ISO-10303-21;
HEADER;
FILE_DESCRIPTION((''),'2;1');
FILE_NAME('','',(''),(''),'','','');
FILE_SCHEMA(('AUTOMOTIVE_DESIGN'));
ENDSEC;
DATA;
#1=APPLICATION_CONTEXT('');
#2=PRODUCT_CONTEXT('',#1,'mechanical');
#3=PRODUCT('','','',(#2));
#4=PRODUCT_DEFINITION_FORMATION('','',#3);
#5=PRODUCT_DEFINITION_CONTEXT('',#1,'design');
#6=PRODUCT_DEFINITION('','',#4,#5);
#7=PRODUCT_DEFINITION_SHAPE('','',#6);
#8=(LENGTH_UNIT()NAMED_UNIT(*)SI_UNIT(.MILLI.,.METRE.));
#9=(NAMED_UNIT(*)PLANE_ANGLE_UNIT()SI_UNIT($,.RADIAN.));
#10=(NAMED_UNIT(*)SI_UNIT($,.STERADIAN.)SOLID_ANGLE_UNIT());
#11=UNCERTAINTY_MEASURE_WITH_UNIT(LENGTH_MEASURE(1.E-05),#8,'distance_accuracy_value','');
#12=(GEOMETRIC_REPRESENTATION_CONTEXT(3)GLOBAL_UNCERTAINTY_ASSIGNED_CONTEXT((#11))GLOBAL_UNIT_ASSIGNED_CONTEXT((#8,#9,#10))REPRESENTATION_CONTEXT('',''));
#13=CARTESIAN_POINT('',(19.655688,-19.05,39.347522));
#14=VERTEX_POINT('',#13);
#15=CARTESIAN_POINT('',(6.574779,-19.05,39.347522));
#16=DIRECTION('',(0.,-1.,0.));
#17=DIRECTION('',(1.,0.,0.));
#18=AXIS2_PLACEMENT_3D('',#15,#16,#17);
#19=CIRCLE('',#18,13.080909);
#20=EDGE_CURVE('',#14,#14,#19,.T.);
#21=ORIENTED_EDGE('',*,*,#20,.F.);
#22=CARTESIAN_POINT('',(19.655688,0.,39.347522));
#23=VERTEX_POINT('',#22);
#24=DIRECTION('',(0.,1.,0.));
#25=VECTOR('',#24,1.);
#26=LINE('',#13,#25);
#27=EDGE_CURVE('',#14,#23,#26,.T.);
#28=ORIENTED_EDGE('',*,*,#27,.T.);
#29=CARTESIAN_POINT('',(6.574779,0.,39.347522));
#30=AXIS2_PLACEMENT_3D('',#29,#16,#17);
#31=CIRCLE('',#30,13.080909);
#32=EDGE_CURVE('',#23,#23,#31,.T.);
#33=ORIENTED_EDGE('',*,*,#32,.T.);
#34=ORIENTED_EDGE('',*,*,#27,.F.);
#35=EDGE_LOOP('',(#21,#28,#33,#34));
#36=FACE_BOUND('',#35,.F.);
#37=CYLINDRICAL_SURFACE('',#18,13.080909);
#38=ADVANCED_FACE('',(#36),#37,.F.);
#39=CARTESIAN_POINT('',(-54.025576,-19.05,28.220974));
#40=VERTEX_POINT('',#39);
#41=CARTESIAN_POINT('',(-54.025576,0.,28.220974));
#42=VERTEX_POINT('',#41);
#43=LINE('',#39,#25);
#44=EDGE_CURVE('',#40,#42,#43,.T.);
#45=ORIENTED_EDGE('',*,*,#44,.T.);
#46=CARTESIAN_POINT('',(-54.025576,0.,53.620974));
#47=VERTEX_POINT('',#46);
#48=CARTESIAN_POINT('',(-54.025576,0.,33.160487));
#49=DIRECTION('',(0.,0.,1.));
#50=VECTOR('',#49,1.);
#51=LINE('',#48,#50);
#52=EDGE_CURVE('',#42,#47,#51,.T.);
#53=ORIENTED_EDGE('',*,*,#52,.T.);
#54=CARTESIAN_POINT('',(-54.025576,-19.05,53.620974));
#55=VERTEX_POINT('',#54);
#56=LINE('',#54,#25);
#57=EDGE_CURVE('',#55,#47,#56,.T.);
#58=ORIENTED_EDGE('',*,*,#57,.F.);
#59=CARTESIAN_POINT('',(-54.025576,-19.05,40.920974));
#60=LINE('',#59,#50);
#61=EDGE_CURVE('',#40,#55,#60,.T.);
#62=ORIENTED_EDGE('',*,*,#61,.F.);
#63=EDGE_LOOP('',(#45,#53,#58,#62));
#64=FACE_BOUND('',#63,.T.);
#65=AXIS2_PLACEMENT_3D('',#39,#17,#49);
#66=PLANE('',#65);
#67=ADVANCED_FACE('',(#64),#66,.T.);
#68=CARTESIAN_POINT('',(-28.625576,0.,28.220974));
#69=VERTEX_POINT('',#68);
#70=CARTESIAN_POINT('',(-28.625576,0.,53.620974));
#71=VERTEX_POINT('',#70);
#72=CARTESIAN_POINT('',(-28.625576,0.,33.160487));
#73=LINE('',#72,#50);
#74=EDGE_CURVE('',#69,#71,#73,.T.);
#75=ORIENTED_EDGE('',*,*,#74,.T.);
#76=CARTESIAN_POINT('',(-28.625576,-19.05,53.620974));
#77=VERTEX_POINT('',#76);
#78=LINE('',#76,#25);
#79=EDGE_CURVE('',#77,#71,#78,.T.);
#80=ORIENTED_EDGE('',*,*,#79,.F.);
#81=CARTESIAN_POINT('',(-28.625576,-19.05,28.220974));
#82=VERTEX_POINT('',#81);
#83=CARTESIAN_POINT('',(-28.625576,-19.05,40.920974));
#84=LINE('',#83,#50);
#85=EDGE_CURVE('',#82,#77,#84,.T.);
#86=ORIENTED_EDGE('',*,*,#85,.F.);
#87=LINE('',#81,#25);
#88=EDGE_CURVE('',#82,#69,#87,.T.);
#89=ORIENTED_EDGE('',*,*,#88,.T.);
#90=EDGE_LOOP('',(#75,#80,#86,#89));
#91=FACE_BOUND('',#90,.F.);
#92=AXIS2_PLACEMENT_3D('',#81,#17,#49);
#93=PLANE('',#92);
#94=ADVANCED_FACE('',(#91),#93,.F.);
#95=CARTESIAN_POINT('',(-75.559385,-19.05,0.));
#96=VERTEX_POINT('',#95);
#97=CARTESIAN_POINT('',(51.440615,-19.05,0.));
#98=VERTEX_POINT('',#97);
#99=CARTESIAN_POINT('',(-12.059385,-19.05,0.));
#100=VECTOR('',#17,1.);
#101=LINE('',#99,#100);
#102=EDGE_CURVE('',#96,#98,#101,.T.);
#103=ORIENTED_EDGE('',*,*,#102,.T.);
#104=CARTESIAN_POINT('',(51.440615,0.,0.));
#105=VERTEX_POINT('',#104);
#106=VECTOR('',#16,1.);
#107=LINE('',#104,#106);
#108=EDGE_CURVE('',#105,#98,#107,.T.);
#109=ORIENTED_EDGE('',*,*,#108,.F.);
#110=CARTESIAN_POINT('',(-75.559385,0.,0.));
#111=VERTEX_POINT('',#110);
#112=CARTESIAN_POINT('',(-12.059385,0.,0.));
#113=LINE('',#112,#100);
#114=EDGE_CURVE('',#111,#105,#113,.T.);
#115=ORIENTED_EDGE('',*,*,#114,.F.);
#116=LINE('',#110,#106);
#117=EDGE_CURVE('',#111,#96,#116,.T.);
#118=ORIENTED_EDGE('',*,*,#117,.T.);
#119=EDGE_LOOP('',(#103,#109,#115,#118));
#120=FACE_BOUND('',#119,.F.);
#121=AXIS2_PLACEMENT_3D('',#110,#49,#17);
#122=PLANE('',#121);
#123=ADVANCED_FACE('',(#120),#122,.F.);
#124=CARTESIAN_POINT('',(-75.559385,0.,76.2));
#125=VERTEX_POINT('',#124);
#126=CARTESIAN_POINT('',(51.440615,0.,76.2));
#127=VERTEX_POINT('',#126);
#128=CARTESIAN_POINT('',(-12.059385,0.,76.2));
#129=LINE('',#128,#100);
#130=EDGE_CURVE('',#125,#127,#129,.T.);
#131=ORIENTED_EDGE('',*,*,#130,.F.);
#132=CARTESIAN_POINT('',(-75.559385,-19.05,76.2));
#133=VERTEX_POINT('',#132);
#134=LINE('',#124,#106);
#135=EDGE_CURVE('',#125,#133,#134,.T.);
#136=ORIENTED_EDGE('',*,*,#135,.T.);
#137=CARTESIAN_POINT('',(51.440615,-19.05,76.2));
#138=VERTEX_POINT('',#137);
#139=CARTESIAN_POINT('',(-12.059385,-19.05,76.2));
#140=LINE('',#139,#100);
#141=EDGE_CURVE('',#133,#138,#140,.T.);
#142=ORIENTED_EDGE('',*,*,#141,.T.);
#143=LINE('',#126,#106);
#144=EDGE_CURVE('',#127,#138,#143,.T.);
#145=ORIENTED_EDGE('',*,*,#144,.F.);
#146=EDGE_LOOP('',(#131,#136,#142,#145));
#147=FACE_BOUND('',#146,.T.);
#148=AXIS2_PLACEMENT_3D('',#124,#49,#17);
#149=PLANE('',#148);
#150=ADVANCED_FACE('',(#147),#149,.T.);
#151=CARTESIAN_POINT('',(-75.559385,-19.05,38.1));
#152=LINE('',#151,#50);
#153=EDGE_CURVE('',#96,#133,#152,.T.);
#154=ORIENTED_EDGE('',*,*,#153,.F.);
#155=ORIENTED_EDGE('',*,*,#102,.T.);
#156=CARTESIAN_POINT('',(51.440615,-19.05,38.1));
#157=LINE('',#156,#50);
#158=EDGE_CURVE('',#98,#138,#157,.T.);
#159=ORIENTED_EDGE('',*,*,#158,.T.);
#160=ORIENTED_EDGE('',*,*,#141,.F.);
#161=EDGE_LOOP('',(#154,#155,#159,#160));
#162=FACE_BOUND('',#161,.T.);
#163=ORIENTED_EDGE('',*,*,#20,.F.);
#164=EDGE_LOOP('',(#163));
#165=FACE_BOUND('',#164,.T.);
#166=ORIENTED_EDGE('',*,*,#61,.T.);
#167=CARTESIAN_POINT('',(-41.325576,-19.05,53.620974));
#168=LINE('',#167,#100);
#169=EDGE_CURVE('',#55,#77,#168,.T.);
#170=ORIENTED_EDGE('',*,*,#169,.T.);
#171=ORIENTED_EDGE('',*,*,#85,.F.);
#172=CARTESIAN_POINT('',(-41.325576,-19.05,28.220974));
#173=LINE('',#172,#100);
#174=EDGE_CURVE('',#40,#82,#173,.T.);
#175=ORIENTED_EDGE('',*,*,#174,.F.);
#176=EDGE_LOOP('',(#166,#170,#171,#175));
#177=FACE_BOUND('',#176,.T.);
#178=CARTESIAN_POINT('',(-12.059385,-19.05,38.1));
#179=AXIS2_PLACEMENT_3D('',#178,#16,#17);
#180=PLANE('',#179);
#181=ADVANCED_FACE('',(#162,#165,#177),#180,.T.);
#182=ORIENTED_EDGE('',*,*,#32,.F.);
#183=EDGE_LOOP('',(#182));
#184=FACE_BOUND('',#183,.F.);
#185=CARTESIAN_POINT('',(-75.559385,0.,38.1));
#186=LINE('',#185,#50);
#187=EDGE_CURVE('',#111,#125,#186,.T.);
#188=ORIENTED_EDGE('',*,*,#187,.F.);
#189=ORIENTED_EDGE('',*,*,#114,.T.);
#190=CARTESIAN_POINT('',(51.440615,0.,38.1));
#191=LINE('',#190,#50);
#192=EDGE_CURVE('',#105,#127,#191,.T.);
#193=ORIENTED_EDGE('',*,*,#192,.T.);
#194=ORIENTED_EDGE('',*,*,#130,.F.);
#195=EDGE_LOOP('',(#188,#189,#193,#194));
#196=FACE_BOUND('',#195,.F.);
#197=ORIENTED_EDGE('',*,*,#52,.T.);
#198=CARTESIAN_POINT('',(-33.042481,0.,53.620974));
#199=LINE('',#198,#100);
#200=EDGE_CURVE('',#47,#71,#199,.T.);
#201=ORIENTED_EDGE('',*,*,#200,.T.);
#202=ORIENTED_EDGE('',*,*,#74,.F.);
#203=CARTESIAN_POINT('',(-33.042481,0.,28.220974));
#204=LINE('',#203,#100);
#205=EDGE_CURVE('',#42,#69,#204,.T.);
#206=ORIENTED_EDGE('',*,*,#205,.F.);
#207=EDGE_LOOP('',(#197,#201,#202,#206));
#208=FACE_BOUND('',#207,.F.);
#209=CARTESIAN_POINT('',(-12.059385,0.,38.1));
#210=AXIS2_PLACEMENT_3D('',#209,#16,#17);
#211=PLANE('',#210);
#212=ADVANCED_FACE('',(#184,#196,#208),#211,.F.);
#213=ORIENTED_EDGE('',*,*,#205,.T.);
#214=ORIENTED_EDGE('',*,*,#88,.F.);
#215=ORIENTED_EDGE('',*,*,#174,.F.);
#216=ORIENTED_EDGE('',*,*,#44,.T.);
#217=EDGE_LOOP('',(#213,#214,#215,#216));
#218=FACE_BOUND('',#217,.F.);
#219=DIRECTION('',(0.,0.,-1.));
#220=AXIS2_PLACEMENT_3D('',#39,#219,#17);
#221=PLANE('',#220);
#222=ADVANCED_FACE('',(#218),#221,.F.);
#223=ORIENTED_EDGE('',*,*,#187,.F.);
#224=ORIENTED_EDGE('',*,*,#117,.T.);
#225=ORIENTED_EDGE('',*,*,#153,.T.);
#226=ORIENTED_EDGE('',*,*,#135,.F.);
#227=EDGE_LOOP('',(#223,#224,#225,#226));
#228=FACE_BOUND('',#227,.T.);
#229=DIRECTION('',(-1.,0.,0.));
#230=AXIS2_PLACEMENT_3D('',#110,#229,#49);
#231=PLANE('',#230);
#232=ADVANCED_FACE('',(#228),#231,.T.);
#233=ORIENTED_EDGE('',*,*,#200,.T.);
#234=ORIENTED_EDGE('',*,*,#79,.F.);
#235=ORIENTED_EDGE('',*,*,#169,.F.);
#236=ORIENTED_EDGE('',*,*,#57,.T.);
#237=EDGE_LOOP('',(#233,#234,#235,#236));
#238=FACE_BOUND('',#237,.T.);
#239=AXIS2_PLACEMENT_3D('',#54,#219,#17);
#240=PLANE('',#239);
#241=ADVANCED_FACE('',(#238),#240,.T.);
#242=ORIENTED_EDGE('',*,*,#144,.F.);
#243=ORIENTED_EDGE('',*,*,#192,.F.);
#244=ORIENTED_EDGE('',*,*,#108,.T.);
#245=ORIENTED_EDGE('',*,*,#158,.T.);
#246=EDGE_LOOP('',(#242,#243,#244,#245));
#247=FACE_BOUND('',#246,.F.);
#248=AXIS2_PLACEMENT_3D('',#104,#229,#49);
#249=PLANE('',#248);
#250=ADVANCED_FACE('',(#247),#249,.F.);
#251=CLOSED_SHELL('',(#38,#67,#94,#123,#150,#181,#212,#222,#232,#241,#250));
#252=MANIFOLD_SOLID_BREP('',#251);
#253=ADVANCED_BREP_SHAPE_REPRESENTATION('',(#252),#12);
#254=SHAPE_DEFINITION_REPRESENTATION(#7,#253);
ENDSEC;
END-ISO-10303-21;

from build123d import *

# Parameters (mm, degrees)
F0_W     = 127
F0_H     = 76.2
F1_DEPTH = 19.05
F2_R     = 13.080909
F2_W     = 25.4
F2_H     = 25.4
F3_DEPTH = 2540


with BuildPart() as f1:
    # F0 (on Front) → F1 (new body)
    with BuildSketch(Plane.XZ):
        with Locations((-12.059385, 38.1)):
            Rectangle(F0_W, F0_H)
    extrude(amount=F1_DEPTH)

    # F2 (on face) → F3 (cut)
    with BuildSketch(Plane.XZ.offset(19.05)):
        with Locations((6.574779, 39.347522)):
            Circle(F2_R)
        with Locations((-41.325576, 40.920974)):
            Rectangle(F2_W, F2_H)
    extrude(amount=-F3_DEPTH, mode=Mode.SUBTRACT)


solid = f1.part
